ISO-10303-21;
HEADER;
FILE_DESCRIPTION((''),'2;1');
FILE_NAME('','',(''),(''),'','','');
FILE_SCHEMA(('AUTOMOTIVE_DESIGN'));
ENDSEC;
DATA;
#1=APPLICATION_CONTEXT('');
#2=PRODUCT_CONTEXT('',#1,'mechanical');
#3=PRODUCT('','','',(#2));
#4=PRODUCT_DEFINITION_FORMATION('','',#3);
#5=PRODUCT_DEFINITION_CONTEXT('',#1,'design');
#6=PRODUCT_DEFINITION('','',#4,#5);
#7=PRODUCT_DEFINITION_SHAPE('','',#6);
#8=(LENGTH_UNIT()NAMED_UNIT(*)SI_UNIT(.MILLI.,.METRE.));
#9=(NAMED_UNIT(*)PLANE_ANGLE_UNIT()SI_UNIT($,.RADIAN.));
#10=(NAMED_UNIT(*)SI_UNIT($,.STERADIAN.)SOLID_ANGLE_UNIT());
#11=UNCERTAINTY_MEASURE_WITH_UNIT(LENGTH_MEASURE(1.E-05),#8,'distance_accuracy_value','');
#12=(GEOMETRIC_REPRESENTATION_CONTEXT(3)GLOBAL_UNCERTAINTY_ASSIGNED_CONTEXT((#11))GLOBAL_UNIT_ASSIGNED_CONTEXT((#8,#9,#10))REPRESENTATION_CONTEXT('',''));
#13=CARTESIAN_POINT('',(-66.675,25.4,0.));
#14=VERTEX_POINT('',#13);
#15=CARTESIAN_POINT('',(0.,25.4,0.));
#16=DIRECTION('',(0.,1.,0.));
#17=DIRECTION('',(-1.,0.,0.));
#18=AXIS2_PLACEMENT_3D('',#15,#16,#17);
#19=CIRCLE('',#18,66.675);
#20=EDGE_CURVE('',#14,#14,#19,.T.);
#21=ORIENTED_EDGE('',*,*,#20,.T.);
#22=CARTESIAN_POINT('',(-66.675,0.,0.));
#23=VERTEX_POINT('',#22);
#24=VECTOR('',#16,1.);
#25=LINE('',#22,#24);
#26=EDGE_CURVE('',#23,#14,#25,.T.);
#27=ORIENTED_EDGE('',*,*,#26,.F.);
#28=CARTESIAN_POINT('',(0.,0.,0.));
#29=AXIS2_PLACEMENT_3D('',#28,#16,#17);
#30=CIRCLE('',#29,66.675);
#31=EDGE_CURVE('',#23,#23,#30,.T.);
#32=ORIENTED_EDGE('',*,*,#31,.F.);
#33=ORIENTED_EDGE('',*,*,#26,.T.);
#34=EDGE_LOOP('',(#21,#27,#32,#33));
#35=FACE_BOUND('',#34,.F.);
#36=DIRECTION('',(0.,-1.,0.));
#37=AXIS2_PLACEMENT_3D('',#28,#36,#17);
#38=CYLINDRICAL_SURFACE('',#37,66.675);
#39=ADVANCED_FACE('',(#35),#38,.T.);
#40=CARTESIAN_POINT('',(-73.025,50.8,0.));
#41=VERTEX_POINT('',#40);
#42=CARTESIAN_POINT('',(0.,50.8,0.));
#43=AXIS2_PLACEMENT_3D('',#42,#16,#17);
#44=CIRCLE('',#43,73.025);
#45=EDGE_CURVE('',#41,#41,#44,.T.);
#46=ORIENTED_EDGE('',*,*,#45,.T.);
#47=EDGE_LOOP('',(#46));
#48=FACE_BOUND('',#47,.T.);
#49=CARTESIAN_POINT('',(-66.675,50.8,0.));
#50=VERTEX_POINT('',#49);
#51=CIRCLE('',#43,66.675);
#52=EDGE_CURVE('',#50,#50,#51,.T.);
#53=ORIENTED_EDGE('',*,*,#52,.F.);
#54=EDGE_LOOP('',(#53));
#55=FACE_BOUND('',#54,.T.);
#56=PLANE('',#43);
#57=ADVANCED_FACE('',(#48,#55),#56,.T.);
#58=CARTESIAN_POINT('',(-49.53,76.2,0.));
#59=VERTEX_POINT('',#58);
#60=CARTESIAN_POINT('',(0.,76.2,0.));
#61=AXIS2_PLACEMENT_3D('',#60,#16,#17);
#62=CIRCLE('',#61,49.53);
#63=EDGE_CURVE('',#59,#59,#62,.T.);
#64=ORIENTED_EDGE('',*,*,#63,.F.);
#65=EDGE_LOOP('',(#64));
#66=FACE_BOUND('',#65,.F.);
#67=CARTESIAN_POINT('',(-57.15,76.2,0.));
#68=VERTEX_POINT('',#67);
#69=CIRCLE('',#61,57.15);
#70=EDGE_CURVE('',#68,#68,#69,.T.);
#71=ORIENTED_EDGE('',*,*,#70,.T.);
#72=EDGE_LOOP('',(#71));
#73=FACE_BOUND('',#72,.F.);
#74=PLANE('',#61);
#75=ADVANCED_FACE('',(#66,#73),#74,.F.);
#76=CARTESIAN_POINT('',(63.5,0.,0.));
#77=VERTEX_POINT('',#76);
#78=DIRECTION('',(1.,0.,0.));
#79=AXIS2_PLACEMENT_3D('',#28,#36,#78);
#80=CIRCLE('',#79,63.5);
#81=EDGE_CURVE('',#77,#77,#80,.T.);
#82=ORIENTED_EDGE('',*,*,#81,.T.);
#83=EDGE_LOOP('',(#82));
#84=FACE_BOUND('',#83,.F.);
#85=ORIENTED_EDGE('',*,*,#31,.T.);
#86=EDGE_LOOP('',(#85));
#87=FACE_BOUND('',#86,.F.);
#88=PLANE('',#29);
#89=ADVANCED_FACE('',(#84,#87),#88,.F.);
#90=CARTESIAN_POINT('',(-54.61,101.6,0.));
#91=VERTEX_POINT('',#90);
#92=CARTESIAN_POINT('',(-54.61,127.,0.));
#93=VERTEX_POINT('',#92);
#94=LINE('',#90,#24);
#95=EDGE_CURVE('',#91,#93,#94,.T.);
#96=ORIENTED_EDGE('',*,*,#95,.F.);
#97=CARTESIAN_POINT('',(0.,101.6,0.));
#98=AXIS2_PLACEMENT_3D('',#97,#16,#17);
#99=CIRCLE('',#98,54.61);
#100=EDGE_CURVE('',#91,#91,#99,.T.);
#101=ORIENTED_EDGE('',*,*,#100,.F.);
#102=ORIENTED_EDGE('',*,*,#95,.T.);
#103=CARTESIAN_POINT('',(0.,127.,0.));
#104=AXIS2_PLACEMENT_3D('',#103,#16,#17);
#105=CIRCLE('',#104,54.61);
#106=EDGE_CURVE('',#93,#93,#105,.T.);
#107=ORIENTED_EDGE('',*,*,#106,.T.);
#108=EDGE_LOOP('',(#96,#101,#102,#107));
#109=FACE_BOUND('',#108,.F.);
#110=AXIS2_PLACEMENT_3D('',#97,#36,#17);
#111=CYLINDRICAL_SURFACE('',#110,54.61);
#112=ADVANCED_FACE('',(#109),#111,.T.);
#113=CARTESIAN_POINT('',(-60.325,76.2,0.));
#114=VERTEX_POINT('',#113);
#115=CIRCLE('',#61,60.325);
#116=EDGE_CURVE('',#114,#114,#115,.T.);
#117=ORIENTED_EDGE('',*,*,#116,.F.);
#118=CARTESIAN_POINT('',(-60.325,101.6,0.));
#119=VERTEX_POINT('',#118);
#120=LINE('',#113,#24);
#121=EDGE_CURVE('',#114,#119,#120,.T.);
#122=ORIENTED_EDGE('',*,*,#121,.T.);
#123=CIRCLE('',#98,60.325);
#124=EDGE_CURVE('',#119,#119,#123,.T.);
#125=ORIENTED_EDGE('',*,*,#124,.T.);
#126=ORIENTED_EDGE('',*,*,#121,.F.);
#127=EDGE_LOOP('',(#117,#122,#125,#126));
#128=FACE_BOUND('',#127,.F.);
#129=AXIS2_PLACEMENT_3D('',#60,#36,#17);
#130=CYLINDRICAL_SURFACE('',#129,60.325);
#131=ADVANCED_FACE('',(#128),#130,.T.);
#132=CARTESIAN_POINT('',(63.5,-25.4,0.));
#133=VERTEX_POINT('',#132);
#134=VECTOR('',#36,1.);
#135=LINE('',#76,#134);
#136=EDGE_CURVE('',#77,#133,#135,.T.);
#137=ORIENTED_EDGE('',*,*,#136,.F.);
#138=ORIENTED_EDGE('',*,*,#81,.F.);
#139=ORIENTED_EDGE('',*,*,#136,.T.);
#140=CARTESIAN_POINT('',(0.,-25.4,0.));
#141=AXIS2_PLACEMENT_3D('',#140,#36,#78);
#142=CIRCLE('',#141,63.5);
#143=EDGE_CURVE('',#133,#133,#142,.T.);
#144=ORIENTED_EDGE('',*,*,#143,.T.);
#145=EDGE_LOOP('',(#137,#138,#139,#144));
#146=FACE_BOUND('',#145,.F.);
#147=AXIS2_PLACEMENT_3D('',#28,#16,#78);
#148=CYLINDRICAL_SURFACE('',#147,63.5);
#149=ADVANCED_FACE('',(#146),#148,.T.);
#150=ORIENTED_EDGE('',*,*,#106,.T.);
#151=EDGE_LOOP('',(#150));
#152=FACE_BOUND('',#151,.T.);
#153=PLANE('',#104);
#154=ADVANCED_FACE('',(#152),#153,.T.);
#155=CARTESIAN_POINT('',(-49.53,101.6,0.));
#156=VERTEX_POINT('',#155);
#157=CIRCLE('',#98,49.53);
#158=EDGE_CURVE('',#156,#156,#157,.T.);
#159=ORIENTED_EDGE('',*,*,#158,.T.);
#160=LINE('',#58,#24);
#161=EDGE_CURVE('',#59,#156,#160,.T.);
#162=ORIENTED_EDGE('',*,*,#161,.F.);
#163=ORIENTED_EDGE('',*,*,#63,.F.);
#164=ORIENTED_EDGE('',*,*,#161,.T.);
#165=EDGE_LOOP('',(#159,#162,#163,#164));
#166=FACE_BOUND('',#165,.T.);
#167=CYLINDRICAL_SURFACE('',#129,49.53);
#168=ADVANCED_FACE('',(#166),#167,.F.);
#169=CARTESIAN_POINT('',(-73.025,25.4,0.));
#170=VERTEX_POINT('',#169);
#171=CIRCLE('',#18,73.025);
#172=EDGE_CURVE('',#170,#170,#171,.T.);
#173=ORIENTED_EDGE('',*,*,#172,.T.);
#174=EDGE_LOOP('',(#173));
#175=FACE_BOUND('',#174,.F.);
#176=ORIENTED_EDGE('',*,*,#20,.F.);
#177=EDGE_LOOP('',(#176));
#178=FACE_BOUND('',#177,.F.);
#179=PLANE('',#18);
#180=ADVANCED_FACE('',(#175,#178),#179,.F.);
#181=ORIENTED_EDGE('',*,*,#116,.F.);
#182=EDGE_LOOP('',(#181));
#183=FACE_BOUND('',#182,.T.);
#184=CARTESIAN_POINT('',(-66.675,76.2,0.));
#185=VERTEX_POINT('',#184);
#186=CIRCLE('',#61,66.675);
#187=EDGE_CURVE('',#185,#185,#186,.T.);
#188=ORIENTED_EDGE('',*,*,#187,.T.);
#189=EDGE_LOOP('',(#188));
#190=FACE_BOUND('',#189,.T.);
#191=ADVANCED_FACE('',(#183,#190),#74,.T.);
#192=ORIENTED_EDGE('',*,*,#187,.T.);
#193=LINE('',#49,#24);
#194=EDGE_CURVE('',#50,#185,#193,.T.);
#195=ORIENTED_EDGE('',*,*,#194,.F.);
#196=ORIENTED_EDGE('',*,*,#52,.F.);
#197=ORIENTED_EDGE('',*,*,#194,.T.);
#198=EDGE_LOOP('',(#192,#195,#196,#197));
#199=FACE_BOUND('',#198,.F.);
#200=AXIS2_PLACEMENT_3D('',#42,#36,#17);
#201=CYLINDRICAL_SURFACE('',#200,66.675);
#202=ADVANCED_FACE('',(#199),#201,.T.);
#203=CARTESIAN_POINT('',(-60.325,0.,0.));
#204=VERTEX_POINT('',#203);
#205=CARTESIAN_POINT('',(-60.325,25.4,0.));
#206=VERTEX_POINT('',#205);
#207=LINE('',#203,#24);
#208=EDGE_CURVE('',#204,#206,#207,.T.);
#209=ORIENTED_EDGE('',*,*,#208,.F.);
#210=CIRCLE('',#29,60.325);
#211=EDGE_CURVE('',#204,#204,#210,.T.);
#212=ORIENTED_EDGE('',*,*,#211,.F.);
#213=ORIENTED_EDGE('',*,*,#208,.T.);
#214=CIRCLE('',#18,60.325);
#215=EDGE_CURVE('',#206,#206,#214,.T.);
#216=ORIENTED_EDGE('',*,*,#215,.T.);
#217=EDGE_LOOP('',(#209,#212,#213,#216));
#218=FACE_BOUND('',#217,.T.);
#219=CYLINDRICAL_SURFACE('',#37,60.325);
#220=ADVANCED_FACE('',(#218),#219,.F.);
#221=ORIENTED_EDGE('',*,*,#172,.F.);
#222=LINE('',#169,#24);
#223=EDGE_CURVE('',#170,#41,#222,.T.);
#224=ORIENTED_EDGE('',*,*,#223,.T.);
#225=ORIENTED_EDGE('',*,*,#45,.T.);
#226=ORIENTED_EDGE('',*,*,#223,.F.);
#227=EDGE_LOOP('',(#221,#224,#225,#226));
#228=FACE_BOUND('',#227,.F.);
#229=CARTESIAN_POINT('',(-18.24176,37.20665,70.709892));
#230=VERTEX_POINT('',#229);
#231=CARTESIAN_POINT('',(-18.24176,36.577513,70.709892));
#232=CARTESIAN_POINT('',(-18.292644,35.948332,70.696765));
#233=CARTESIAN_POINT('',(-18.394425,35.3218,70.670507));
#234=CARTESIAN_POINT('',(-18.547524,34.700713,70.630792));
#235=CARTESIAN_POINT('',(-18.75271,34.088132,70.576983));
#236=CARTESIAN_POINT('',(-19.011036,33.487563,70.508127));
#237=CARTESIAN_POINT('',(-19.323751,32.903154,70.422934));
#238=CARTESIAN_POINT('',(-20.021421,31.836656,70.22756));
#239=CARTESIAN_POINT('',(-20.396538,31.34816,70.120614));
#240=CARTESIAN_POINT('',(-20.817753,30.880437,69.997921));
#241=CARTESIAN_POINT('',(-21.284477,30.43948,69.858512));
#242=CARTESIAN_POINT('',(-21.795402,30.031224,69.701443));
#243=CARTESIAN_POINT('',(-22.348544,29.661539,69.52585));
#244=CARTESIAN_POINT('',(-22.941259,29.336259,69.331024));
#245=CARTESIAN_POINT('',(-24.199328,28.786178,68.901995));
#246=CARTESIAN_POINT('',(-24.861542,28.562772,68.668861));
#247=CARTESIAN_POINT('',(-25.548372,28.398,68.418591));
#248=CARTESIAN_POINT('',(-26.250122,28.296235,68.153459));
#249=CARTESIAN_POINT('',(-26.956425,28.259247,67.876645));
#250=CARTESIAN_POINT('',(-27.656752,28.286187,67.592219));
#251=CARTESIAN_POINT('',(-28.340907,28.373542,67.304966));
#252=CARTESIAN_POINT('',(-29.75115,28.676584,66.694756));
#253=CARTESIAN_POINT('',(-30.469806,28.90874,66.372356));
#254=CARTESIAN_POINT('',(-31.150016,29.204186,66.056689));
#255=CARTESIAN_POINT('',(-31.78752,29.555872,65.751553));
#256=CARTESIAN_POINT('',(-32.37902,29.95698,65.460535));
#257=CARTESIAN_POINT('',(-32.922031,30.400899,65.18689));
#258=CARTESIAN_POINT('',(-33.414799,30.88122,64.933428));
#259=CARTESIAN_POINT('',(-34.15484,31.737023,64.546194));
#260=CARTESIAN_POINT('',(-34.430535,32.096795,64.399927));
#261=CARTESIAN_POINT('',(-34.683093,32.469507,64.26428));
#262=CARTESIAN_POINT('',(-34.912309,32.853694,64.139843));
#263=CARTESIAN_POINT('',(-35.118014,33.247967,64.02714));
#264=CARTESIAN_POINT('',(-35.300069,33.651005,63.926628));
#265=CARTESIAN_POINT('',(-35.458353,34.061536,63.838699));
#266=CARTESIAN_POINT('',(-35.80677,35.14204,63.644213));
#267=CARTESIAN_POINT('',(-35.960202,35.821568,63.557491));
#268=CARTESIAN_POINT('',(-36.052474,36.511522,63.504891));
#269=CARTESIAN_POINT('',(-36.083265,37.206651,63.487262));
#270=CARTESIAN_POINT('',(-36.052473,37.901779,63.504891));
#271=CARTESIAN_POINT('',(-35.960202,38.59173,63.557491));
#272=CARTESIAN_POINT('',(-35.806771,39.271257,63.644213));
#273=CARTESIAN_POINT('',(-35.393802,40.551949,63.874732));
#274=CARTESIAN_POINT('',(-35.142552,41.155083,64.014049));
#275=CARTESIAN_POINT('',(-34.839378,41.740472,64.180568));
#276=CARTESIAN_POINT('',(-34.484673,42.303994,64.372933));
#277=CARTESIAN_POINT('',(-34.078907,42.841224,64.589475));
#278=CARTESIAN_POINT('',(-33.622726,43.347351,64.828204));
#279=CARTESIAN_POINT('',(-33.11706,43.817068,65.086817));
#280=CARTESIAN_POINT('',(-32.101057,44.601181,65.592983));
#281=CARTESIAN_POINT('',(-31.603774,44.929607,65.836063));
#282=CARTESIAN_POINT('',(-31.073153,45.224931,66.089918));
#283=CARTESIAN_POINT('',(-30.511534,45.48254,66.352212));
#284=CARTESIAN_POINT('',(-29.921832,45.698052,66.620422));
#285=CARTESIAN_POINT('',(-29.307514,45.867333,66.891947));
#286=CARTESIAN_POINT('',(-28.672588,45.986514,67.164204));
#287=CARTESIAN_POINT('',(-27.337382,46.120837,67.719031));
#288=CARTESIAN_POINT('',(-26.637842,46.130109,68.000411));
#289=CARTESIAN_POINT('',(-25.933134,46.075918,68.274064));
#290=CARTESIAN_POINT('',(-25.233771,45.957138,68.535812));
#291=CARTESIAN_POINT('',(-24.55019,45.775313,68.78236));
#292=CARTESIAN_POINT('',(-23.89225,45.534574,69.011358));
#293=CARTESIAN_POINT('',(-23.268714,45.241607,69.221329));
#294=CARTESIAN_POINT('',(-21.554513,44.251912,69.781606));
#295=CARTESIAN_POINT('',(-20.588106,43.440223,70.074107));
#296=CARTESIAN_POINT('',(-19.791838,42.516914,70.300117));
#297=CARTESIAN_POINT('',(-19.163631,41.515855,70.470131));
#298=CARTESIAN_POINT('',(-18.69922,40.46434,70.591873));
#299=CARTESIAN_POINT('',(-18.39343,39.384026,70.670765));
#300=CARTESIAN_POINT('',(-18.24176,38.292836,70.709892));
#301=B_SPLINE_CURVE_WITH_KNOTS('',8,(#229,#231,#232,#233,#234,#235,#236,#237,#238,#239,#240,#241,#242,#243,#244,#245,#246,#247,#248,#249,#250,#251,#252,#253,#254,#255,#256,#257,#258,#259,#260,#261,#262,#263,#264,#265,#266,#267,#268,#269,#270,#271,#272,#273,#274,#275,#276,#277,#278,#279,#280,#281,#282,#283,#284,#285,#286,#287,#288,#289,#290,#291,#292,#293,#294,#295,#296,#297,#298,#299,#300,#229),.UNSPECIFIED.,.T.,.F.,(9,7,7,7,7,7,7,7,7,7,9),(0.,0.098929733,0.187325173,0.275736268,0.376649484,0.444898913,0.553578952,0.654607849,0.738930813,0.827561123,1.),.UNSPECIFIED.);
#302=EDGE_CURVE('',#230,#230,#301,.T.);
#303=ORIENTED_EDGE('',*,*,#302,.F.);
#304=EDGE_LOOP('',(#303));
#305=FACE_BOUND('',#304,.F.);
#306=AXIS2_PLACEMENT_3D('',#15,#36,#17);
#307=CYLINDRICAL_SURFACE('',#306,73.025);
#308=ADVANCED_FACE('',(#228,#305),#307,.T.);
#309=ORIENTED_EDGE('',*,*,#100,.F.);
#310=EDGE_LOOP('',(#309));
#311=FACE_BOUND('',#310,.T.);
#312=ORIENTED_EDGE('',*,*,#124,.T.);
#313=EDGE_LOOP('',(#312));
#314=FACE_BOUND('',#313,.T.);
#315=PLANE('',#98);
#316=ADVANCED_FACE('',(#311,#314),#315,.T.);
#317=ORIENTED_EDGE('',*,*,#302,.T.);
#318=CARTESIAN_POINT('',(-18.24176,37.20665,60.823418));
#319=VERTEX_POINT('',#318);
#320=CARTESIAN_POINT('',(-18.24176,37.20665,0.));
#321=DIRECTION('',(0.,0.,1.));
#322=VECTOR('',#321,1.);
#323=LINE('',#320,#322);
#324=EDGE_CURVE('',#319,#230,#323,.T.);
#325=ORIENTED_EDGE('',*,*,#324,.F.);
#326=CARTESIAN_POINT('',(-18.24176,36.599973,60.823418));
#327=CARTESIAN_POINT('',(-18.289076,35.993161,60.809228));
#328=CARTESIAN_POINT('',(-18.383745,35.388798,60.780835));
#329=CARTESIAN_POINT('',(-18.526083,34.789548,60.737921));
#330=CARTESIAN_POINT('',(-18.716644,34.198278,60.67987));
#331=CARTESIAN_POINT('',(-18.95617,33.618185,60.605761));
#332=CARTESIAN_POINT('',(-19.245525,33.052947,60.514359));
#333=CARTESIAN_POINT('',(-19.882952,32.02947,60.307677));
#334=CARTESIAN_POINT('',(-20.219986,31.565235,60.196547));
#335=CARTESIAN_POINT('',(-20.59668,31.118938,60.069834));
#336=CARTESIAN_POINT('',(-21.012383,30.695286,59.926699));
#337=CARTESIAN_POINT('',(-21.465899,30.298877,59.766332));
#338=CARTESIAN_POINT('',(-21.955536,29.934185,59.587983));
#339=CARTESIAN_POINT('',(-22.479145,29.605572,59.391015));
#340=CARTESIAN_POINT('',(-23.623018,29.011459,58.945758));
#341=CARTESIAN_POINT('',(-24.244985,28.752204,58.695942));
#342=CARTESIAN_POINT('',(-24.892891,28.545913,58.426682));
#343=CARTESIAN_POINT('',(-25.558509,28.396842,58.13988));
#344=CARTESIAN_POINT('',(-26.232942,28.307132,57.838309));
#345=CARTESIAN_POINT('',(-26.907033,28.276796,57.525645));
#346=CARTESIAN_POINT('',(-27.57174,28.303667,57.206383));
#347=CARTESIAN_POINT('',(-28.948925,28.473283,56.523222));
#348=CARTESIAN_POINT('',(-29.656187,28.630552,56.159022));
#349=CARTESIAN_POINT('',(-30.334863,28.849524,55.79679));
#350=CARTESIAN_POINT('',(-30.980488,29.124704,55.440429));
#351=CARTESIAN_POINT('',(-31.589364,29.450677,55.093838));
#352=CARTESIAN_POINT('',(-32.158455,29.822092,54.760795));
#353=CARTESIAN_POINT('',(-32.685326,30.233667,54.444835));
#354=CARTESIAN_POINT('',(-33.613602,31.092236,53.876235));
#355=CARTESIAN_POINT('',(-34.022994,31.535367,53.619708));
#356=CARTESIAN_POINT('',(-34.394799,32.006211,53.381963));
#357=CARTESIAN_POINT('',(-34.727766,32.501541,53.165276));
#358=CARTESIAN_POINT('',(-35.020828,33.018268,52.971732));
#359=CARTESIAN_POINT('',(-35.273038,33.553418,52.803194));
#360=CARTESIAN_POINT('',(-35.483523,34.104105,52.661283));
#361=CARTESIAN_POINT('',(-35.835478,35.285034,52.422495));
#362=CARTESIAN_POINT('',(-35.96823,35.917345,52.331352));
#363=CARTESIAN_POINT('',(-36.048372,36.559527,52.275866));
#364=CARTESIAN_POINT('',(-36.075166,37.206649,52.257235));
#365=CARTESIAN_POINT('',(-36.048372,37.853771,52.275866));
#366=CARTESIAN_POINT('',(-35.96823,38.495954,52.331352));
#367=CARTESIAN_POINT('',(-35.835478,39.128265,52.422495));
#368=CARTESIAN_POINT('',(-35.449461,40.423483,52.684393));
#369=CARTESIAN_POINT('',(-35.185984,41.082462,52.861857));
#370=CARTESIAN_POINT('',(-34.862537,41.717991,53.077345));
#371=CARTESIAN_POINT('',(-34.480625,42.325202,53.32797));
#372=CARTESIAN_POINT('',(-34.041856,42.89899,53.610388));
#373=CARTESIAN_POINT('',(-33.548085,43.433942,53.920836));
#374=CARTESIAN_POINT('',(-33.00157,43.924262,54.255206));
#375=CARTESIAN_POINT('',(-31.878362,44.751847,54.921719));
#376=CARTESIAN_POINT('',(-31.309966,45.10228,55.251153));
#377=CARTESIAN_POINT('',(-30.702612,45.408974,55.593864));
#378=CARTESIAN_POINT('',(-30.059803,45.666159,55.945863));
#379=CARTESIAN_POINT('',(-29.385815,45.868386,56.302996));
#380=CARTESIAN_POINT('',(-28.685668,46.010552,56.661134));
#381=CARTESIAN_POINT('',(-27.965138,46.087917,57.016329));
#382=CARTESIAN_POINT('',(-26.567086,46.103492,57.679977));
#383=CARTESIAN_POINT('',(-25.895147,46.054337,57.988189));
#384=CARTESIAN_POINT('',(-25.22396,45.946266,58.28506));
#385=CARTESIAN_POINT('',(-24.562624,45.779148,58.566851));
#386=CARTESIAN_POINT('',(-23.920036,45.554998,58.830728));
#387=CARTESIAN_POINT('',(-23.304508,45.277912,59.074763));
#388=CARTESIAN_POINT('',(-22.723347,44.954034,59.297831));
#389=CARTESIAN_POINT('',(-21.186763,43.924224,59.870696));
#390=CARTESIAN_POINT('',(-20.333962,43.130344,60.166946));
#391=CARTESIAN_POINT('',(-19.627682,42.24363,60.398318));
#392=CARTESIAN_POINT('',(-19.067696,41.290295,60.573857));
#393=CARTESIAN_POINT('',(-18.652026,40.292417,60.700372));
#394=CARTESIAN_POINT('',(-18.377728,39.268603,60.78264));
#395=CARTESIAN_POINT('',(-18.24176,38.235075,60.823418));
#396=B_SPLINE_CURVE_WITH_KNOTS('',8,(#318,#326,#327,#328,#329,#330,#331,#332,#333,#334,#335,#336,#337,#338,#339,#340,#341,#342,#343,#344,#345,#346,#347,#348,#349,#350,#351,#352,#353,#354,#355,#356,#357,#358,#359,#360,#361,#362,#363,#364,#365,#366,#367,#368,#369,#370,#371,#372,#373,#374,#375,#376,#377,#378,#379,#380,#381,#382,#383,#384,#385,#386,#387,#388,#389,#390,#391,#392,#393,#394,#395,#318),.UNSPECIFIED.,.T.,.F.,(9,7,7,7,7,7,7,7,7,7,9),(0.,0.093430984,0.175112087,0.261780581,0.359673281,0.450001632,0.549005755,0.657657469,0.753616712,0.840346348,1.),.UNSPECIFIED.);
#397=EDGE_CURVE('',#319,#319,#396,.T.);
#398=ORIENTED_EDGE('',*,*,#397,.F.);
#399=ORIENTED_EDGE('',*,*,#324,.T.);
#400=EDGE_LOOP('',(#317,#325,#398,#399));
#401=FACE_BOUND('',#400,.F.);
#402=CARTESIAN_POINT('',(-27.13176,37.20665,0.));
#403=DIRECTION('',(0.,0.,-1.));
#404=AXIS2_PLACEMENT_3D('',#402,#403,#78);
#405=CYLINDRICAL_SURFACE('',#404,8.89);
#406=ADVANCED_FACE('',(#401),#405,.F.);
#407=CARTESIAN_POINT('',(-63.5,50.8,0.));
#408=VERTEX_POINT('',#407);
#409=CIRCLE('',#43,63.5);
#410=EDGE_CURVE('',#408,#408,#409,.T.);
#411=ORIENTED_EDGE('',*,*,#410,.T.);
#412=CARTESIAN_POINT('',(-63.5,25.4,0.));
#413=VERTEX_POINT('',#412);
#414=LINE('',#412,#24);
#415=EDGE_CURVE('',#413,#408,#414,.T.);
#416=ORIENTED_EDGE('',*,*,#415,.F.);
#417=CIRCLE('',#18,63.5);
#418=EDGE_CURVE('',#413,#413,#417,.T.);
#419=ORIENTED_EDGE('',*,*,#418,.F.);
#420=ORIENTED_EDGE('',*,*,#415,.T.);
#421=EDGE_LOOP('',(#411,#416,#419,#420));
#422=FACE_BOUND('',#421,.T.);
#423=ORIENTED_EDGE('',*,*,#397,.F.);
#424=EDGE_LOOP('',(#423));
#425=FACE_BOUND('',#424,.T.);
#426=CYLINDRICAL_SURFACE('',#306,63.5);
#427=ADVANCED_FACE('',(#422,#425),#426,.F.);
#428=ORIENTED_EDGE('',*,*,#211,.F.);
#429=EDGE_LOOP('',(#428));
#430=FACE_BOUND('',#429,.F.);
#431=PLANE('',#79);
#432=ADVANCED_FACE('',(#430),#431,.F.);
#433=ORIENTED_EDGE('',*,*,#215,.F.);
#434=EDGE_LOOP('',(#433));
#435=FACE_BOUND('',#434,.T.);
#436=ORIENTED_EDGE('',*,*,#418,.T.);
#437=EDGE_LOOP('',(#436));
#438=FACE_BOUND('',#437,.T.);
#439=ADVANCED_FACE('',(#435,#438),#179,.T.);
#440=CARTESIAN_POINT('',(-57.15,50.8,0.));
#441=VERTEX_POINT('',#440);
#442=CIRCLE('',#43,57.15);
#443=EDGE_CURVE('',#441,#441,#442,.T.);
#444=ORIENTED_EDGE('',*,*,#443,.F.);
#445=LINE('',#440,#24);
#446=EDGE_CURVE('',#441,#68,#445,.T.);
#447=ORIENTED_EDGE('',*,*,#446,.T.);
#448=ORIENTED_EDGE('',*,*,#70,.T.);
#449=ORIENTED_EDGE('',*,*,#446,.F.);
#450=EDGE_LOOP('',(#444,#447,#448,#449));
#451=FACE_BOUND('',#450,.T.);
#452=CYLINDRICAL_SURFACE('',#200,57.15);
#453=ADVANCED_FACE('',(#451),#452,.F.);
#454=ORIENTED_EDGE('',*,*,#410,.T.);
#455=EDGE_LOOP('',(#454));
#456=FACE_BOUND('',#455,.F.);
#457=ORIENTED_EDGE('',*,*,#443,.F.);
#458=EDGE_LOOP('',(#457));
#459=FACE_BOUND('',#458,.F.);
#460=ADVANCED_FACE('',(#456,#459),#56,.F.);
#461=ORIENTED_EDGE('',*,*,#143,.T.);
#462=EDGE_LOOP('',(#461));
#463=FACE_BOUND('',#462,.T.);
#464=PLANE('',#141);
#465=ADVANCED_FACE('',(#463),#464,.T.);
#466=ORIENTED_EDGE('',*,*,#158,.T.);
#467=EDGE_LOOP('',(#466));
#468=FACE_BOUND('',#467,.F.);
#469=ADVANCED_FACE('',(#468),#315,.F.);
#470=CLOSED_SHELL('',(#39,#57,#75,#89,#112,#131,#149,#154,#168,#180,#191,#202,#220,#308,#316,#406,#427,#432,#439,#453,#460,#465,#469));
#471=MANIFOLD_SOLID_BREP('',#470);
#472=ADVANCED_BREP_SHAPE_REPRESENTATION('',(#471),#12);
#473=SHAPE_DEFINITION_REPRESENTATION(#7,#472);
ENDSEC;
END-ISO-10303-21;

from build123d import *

# Parameters (mm, degrees)
F0_R      = 63.5
F1_DEPTH  = 25.4
F2_R      = 66.675
F2_R_2    = 60.325
F3_DEPTH  = 25.4
F4_R      = 73.025
F4_R_2    = 63.5
F5_DEPTH  = 25.4
F6_R      = 66.675
F6_R_2    = 57.15
F7_DEPTH  = 25.4
F8_R      = 60.325
F8_R_2    = 49.53
F9_DEPTH  = 25.4
F10_R     = 54.61
F11_DEPTH = 25.4
F13_D     = 17.78
F13_DEPTH = 73.026


with BuildPart() as f1:
    # F0 (on Front) → F1 (new body)
    with BuildSketch(Plane.XZ):
        Circle(F0_R)
    extrude(amount=F1_DEPTH)

    # F2 (on face) → F3 (join)
    with BuildSketch(Plane(origin=(0, 0, 0), x_dir=(-1, 0, 0), z_dir=(0, 1, 0))):
        Circle(F2_R)
        Circle(F2_R_2, mode=Mode.SUBTRACT)
    extrude(amount=F3_DEPTH)

    # F4 (on face) → F5 (join)
    with BuildSketch(Plane(origin=(0, 25.4, 0), x_dir=(-1, 0, 0), z_dir=(0, 1, 0))):
        Circle(F4_R)
        Circle(F4_R_2, mode=Mode.SUBTRACT)
    extrude(amount=F5_DEPTH)

    # F6 (on face) → F7 (join)
    with BuildSketch(Plane(origin=(0, 50.8, 0), x_dir=(-1, 0, 0), z_dir=(0, 1, 0))):
        Circle(F6_R)
        Circle(F6_R_2, mode=Mode.SUBTRACT)
    extrude(amount=F7_DEPTH)

    # F8 (on face) → F9 (join)
    with BuildSketch(Plane(origin=(0, 76.2, 0), x_dir=(-1, 0, 0), z_dir=(0, 1, 0))):
        Circle(F8_R)
        Circle(F8_R_2, mode=Mode.SUBTRACT)
    extrude(amount=F9_DEPTH)

    # F10 (on face) → F11 (join)
    with BuildSketch(Plane(origin=(0, 101.6, 0), x_dir=(-1, 0, 0), z_dir=(0, 1, 0))):
        Circle(F10_R)
    extrude(amount=F11_DEPTH)

    # F13 (through all, one way)
    with BuildSketch(Plane(origin=(0, 0, 0), x_dir=(1, 0, 0), z_dir=(0, 0, -1))):
        with Locations((-27.1317604929, -37.2066497803)):
            Circle(F13_D / 2)
    extrude(amount=-F13_DEPTH, mode=Mode.SUBTRACT)


solid = f1.part
